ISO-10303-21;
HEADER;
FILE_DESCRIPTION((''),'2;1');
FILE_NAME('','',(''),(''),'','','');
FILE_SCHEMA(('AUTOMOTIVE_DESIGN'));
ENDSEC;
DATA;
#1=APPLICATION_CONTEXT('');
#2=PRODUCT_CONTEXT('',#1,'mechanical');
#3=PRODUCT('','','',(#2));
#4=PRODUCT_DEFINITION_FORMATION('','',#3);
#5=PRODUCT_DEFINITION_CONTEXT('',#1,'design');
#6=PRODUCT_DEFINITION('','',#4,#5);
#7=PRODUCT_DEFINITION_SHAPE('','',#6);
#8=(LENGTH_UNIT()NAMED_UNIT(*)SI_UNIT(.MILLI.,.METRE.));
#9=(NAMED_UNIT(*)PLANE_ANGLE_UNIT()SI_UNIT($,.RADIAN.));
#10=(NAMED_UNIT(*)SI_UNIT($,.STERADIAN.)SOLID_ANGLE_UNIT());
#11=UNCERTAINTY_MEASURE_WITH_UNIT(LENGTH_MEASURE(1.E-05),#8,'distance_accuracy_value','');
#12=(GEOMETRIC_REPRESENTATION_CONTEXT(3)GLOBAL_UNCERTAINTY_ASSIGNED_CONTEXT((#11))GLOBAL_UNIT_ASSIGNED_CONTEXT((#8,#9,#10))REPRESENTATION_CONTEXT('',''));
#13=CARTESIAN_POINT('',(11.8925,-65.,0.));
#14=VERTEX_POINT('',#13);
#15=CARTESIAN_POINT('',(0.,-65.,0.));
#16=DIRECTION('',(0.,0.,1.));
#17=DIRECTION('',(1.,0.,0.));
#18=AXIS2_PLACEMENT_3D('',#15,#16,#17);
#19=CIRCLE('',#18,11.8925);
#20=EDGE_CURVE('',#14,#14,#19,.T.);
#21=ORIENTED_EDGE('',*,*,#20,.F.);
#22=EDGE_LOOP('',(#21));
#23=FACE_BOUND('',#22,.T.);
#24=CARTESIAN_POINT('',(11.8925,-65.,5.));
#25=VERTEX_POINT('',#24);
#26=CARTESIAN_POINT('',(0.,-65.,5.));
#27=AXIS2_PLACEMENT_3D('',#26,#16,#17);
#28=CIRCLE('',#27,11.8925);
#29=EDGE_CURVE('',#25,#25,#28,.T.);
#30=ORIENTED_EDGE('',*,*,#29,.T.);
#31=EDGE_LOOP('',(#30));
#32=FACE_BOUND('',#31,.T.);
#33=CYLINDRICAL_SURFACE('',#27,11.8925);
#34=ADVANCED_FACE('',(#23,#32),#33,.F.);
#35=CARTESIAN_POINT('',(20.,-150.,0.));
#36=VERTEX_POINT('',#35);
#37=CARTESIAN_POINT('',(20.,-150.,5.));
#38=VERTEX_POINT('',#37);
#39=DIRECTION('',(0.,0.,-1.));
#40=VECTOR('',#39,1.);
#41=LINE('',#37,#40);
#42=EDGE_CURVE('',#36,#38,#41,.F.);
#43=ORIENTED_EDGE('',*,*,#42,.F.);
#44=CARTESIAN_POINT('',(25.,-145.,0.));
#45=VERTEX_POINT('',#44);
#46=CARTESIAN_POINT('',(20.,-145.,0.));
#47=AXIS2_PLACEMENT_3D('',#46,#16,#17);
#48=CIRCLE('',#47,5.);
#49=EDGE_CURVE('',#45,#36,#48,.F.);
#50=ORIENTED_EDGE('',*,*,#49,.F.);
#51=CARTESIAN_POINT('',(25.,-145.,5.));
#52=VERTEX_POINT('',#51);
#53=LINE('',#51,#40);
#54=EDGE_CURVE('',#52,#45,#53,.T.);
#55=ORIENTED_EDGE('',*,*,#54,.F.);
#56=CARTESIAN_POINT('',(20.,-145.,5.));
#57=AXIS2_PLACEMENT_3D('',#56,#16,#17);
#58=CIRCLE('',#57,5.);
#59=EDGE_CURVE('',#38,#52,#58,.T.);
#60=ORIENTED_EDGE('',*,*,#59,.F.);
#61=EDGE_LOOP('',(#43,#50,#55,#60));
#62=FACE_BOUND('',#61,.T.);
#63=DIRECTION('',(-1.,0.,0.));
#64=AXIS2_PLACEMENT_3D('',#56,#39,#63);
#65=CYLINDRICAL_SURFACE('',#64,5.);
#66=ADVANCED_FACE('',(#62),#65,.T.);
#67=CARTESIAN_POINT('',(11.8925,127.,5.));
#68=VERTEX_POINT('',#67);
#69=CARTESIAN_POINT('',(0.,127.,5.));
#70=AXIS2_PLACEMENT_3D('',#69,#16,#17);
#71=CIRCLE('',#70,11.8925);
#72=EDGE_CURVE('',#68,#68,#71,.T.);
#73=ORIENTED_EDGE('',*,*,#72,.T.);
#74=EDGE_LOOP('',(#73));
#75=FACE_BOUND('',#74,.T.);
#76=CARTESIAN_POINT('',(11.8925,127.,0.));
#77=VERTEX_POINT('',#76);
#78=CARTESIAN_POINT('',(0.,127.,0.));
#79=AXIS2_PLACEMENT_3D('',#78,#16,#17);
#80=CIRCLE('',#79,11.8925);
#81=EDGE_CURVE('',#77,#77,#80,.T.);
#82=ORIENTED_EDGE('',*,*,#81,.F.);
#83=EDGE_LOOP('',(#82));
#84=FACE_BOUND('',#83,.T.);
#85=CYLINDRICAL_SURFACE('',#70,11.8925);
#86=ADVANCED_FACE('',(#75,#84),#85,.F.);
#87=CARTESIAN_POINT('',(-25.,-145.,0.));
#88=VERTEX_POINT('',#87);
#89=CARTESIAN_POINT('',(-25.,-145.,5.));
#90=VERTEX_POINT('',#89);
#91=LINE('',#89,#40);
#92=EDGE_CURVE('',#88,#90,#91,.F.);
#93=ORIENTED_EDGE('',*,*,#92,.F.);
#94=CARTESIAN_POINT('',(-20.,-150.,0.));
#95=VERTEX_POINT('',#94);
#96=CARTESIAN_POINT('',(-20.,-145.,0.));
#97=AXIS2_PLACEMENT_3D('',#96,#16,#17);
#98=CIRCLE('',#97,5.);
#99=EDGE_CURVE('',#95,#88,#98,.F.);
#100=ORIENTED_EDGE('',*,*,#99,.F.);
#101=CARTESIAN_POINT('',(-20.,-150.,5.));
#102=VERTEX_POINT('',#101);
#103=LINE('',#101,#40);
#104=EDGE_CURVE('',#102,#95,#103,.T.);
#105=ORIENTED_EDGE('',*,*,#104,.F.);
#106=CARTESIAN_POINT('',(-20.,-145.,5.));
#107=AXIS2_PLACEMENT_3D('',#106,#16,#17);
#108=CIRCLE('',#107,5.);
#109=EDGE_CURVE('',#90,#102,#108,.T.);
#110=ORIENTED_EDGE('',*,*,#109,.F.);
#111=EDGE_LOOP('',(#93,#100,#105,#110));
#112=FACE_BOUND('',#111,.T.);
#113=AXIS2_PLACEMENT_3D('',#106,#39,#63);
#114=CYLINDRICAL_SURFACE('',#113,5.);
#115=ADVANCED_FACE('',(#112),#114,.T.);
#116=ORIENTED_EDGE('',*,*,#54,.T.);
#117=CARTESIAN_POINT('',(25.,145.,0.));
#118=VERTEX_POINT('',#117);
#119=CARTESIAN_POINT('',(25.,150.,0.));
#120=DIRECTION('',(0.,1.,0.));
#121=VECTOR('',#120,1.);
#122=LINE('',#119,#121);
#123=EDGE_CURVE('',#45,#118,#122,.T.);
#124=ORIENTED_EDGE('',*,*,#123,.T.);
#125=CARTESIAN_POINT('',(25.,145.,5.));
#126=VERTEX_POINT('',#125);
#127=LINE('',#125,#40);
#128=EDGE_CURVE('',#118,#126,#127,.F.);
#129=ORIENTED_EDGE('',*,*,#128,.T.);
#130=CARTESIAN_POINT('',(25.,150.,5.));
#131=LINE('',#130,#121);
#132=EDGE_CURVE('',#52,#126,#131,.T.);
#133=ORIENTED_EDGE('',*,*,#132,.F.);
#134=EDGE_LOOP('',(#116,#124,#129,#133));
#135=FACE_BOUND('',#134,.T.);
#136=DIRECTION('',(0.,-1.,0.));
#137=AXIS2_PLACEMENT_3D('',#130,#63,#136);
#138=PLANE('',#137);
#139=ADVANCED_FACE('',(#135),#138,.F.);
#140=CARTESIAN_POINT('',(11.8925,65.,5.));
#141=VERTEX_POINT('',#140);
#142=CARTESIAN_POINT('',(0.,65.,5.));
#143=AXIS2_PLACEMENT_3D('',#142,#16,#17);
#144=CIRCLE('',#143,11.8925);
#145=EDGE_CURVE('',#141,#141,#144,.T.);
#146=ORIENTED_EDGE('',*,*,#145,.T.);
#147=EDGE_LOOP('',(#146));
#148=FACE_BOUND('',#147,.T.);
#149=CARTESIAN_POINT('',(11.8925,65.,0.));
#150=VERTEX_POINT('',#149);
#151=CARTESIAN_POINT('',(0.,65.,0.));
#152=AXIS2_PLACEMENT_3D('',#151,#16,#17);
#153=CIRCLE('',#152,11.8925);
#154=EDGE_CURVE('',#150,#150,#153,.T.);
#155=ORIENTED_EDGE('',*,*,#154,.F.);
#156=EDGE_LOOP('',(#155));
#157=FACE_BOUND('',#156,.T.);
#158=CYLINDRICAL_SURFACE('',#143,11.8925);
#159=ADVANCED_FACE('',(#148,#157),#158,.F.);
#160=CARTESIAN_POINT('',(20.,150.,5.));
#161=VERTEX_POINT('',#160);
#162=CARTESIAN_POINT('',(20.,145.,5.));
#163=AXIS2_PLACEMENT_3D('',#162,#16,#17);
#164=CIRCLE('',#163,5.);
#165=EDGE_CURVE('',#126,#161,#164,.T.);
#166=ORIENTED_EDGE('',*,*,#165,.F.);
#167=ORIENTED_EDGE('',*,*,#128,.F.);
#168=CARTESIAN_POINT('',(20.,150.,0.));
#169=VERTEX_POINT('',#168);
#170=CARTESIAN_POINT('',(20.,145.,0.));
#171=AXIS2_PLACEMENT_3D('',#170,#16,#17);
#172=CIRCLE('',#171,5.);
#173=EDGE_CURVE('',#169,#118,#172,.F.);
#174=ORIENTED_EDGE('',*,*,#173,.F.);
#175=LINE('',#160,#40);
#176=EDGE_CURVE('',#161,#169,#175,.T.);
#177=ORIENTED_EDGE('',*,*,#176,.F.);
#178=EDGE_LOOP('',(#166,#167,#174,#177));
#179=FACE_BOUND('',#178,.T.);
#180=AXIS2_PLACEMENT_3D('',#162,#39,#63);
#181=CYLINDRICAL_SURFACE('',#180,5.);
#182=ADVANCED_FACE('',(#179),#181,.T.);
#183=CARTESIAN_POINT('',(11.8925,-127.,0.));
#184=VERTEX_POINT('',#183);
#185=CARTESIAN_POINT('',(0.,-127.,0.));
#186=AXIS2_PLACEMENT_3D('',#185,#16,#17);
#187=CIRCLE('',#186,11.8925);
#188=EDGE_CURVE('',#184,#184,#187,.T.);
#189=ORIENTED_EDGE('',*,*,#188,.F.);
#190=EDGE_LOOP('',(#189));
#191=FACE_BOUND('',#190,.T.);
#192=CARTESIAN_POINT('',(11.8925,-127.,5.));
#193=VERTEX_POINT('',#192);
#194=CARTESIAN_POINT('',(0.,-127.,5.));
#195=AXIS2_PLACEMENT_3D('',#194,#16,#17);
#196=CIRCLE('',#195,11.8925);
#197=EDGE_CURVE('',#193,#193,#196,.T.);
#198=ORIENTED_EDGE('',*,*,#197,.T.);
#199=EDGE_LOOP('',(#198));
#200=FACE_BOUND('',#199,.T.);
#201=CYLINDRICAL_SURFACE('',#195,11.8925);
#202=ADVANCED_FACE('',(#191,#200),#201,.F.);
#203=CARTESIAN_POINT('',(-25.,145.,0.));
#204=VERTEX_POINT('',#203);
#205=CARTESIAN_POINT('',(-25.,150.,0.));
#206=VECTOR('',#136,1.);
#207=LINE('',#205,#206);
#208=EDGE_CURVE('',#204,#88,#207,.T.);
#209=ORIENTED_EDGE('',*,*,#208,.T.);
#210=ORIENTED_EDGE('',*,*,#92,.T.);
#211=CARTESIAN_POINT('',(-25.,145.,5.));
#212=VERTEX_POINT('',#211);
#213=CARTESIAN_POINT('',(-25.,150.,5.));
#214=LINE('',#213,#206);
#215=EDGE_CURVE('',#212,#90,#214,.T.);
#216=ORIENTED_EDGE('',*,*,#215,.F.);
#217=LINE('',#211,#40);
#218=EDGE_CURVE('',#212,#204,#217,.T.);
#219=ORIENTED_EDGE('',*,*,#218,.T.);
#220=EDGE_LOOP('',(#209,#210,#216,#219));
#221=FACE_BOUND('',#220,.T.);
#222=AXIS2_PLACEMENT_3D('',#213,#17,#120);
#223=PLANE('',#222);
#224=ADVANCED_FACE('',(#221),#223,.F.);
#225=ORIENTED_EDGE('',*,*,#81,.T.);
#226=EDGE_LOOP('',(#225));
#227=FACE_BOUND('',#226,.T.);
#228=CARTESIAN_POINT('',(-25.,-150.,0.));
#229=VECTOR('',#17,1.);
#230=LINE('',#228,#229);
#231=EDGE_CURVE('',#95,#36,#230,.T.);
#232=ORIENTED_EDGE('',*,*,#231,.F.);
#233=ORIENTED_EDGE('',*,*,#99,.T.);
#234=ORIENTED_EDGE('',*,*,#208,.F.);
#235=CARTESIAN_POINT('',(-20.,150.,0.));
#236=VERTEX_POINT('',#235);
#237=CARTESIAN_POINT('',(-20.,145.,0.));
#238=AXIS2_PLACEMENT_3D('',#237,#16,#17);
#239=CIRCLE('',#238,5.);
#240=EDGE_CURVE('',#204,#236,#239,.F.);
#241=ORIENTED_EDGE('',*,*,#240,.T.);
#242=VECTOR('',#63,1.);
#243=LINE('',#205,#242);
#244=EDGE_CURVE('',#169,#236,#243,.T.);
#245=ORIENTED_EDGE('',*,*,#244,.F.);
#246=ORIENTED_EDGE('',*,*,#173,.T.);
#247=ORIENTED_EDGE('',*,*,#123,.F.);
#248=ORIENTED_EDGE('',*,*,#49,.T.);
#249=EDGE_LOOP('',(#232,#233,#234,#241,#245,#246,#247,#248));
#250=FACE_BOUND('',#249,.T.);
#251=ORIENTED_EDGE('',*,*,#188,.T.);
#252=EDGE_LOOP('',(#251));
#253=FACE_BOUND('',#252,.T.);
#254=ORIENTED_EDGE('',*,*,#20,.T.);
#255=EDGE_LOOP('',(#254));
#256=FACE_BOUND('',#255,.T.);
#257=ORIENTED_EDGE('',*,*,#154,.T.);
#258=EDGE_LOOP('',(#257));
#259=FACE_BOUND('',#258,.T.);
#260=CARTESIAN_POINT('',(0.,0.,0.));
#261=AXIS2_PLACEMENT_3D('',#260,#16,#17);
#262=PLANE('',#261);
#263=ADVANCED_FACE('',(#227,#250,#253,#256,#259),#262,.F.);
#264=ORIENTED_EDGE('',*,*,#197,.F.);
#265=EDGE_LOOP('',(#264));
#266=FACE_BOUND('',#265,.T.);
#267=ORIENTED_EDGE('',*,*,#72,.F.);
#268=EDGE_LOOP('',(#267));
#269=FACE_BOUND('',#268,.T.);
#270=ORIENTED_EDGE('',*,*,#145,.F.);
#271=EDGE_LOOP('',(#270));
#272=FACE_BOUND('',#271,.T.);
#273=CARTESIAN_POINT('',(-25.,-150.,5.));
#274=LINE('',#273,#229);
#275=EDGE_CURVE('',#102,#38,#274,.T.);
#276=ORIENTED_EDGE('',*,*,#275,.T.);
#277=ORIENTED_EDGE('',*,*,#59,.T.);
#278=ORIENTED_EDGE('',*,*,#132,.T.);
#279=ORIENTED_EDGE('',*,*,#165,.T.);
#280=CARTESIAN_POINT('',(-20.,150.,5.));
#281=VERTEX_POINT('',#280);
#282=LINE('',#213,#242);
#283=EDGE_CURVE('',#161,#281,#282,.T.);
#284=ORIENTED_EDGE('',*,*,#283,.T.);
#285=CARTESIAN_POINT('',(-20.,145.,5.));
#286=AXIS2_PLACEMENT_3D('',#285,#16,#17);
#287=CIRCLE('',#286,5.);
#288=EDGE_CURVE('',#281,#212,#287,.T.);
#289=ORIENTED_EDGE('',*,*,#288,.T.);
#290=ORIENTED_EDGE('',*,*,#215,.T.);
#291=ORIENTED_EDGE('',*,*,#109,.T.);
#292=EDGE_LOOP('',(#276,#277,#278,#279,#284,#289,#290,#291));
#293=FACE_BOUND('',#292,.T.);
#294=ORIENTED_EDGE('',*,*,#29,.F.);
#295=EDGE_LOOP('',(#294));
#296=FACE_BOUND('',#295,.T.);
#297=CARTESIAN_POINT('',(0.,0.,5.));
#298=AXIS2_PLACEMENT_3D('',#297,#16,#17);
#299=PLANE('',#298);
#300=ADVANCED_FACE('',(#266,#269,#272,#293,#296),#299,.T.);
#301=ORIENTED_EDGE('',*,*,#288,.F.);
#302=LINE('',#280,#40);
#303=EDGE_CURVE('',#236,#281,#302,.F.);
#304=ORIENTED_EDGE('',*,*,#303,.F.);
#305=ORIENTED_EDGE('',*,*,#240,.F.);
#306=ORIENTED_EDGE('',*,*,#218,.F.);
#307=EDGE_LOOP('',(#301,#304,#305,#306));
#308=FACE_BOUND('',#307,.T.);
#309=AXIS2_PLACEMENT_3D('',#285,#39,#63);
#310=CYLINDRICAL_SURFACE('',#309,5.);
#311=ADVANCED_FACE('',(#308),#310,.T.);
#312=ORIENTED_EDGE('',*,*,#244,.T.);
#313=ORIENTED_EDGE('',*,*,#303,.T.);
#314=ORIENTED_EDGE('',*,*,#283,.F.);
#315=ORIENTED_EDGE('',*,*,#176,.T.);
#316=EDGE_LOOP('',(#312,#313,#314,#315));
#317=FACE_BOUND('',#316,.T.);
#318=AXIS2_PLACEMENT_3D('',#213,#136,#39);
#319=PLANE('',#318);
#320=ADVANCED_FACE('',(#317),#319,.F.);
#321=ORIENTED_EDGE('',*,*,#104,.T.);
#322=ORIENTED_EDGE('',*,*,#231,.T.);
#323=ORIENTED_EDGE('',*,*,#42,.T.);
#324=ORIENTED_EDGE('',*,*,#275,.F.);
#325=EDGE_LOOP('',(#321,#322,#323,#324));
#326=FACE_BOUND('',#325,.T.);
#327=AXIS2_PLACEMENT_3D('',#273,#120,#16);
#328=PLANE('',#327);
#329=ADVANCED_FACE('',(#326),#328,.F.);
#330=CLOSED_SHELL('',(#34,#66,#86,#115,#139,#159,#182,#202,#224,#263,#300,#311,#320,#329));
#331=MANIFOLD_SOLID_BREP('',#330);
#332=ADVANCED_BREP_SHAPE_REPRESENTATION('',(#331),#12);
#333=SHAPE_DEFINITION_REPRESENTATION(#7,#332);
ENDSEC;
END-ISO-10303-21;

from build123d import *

# Parameters (mm, degrees)
SKETCH1_W                                = 50
SKETCH1_H                                = 300
BOSS_EXTRUDE1_DEPTH                      = 5
FILLET3_R                                = 5
CBORE_FOR_M12_HEX_HEAD_BOLT1_D           = 13.5
CBORE_FOR_M12_HEX_HEAD_BOLT1_CBORE_D     = 23.785
CBORE_FOR_M12_HEX_HEAD_BOLT1_CBORE_DEPTH = 7.5


with BuildPart() as part:
    # Sketch1 → Boss-Extrude1 (new body)
    with BuildSketch(Plane.XY):
        Rectangle(SKETCH1_W, SKETCH1_H)
    extrude(amount=BOSS_EXTRUDE1_DEPTH)

    # Fillet3
    fillet3_edges = [part.edges().sort_by_distance(p)[0] for p in [
        (-25, 150, 2.5),
        (25, 150, 2.5),
        (25, -150, 2.5),
        (-25, -150, 2.5),
    ]]
    fillet(fillet3_edges, radius=FILLET3_R)

    # CBORE for M12 Hex Head Bolt1 (through all)
    with Locations(Plane.XY.offset(5)):
        with Locations((0, 127), (0, 65), (0, -65), (0, -127)):
            CounterBoreHole(CBORE_FOR_M12_HEX_HEAD_BOLT1_D / 2, CBORE_FOR_M12_HEX_HEAD_BOLT1_CBORE_D / 2, CBORE_FOR_M12_HEX_HEAD_BOLT1_CBORE_DEPTH)


solid = part.part
